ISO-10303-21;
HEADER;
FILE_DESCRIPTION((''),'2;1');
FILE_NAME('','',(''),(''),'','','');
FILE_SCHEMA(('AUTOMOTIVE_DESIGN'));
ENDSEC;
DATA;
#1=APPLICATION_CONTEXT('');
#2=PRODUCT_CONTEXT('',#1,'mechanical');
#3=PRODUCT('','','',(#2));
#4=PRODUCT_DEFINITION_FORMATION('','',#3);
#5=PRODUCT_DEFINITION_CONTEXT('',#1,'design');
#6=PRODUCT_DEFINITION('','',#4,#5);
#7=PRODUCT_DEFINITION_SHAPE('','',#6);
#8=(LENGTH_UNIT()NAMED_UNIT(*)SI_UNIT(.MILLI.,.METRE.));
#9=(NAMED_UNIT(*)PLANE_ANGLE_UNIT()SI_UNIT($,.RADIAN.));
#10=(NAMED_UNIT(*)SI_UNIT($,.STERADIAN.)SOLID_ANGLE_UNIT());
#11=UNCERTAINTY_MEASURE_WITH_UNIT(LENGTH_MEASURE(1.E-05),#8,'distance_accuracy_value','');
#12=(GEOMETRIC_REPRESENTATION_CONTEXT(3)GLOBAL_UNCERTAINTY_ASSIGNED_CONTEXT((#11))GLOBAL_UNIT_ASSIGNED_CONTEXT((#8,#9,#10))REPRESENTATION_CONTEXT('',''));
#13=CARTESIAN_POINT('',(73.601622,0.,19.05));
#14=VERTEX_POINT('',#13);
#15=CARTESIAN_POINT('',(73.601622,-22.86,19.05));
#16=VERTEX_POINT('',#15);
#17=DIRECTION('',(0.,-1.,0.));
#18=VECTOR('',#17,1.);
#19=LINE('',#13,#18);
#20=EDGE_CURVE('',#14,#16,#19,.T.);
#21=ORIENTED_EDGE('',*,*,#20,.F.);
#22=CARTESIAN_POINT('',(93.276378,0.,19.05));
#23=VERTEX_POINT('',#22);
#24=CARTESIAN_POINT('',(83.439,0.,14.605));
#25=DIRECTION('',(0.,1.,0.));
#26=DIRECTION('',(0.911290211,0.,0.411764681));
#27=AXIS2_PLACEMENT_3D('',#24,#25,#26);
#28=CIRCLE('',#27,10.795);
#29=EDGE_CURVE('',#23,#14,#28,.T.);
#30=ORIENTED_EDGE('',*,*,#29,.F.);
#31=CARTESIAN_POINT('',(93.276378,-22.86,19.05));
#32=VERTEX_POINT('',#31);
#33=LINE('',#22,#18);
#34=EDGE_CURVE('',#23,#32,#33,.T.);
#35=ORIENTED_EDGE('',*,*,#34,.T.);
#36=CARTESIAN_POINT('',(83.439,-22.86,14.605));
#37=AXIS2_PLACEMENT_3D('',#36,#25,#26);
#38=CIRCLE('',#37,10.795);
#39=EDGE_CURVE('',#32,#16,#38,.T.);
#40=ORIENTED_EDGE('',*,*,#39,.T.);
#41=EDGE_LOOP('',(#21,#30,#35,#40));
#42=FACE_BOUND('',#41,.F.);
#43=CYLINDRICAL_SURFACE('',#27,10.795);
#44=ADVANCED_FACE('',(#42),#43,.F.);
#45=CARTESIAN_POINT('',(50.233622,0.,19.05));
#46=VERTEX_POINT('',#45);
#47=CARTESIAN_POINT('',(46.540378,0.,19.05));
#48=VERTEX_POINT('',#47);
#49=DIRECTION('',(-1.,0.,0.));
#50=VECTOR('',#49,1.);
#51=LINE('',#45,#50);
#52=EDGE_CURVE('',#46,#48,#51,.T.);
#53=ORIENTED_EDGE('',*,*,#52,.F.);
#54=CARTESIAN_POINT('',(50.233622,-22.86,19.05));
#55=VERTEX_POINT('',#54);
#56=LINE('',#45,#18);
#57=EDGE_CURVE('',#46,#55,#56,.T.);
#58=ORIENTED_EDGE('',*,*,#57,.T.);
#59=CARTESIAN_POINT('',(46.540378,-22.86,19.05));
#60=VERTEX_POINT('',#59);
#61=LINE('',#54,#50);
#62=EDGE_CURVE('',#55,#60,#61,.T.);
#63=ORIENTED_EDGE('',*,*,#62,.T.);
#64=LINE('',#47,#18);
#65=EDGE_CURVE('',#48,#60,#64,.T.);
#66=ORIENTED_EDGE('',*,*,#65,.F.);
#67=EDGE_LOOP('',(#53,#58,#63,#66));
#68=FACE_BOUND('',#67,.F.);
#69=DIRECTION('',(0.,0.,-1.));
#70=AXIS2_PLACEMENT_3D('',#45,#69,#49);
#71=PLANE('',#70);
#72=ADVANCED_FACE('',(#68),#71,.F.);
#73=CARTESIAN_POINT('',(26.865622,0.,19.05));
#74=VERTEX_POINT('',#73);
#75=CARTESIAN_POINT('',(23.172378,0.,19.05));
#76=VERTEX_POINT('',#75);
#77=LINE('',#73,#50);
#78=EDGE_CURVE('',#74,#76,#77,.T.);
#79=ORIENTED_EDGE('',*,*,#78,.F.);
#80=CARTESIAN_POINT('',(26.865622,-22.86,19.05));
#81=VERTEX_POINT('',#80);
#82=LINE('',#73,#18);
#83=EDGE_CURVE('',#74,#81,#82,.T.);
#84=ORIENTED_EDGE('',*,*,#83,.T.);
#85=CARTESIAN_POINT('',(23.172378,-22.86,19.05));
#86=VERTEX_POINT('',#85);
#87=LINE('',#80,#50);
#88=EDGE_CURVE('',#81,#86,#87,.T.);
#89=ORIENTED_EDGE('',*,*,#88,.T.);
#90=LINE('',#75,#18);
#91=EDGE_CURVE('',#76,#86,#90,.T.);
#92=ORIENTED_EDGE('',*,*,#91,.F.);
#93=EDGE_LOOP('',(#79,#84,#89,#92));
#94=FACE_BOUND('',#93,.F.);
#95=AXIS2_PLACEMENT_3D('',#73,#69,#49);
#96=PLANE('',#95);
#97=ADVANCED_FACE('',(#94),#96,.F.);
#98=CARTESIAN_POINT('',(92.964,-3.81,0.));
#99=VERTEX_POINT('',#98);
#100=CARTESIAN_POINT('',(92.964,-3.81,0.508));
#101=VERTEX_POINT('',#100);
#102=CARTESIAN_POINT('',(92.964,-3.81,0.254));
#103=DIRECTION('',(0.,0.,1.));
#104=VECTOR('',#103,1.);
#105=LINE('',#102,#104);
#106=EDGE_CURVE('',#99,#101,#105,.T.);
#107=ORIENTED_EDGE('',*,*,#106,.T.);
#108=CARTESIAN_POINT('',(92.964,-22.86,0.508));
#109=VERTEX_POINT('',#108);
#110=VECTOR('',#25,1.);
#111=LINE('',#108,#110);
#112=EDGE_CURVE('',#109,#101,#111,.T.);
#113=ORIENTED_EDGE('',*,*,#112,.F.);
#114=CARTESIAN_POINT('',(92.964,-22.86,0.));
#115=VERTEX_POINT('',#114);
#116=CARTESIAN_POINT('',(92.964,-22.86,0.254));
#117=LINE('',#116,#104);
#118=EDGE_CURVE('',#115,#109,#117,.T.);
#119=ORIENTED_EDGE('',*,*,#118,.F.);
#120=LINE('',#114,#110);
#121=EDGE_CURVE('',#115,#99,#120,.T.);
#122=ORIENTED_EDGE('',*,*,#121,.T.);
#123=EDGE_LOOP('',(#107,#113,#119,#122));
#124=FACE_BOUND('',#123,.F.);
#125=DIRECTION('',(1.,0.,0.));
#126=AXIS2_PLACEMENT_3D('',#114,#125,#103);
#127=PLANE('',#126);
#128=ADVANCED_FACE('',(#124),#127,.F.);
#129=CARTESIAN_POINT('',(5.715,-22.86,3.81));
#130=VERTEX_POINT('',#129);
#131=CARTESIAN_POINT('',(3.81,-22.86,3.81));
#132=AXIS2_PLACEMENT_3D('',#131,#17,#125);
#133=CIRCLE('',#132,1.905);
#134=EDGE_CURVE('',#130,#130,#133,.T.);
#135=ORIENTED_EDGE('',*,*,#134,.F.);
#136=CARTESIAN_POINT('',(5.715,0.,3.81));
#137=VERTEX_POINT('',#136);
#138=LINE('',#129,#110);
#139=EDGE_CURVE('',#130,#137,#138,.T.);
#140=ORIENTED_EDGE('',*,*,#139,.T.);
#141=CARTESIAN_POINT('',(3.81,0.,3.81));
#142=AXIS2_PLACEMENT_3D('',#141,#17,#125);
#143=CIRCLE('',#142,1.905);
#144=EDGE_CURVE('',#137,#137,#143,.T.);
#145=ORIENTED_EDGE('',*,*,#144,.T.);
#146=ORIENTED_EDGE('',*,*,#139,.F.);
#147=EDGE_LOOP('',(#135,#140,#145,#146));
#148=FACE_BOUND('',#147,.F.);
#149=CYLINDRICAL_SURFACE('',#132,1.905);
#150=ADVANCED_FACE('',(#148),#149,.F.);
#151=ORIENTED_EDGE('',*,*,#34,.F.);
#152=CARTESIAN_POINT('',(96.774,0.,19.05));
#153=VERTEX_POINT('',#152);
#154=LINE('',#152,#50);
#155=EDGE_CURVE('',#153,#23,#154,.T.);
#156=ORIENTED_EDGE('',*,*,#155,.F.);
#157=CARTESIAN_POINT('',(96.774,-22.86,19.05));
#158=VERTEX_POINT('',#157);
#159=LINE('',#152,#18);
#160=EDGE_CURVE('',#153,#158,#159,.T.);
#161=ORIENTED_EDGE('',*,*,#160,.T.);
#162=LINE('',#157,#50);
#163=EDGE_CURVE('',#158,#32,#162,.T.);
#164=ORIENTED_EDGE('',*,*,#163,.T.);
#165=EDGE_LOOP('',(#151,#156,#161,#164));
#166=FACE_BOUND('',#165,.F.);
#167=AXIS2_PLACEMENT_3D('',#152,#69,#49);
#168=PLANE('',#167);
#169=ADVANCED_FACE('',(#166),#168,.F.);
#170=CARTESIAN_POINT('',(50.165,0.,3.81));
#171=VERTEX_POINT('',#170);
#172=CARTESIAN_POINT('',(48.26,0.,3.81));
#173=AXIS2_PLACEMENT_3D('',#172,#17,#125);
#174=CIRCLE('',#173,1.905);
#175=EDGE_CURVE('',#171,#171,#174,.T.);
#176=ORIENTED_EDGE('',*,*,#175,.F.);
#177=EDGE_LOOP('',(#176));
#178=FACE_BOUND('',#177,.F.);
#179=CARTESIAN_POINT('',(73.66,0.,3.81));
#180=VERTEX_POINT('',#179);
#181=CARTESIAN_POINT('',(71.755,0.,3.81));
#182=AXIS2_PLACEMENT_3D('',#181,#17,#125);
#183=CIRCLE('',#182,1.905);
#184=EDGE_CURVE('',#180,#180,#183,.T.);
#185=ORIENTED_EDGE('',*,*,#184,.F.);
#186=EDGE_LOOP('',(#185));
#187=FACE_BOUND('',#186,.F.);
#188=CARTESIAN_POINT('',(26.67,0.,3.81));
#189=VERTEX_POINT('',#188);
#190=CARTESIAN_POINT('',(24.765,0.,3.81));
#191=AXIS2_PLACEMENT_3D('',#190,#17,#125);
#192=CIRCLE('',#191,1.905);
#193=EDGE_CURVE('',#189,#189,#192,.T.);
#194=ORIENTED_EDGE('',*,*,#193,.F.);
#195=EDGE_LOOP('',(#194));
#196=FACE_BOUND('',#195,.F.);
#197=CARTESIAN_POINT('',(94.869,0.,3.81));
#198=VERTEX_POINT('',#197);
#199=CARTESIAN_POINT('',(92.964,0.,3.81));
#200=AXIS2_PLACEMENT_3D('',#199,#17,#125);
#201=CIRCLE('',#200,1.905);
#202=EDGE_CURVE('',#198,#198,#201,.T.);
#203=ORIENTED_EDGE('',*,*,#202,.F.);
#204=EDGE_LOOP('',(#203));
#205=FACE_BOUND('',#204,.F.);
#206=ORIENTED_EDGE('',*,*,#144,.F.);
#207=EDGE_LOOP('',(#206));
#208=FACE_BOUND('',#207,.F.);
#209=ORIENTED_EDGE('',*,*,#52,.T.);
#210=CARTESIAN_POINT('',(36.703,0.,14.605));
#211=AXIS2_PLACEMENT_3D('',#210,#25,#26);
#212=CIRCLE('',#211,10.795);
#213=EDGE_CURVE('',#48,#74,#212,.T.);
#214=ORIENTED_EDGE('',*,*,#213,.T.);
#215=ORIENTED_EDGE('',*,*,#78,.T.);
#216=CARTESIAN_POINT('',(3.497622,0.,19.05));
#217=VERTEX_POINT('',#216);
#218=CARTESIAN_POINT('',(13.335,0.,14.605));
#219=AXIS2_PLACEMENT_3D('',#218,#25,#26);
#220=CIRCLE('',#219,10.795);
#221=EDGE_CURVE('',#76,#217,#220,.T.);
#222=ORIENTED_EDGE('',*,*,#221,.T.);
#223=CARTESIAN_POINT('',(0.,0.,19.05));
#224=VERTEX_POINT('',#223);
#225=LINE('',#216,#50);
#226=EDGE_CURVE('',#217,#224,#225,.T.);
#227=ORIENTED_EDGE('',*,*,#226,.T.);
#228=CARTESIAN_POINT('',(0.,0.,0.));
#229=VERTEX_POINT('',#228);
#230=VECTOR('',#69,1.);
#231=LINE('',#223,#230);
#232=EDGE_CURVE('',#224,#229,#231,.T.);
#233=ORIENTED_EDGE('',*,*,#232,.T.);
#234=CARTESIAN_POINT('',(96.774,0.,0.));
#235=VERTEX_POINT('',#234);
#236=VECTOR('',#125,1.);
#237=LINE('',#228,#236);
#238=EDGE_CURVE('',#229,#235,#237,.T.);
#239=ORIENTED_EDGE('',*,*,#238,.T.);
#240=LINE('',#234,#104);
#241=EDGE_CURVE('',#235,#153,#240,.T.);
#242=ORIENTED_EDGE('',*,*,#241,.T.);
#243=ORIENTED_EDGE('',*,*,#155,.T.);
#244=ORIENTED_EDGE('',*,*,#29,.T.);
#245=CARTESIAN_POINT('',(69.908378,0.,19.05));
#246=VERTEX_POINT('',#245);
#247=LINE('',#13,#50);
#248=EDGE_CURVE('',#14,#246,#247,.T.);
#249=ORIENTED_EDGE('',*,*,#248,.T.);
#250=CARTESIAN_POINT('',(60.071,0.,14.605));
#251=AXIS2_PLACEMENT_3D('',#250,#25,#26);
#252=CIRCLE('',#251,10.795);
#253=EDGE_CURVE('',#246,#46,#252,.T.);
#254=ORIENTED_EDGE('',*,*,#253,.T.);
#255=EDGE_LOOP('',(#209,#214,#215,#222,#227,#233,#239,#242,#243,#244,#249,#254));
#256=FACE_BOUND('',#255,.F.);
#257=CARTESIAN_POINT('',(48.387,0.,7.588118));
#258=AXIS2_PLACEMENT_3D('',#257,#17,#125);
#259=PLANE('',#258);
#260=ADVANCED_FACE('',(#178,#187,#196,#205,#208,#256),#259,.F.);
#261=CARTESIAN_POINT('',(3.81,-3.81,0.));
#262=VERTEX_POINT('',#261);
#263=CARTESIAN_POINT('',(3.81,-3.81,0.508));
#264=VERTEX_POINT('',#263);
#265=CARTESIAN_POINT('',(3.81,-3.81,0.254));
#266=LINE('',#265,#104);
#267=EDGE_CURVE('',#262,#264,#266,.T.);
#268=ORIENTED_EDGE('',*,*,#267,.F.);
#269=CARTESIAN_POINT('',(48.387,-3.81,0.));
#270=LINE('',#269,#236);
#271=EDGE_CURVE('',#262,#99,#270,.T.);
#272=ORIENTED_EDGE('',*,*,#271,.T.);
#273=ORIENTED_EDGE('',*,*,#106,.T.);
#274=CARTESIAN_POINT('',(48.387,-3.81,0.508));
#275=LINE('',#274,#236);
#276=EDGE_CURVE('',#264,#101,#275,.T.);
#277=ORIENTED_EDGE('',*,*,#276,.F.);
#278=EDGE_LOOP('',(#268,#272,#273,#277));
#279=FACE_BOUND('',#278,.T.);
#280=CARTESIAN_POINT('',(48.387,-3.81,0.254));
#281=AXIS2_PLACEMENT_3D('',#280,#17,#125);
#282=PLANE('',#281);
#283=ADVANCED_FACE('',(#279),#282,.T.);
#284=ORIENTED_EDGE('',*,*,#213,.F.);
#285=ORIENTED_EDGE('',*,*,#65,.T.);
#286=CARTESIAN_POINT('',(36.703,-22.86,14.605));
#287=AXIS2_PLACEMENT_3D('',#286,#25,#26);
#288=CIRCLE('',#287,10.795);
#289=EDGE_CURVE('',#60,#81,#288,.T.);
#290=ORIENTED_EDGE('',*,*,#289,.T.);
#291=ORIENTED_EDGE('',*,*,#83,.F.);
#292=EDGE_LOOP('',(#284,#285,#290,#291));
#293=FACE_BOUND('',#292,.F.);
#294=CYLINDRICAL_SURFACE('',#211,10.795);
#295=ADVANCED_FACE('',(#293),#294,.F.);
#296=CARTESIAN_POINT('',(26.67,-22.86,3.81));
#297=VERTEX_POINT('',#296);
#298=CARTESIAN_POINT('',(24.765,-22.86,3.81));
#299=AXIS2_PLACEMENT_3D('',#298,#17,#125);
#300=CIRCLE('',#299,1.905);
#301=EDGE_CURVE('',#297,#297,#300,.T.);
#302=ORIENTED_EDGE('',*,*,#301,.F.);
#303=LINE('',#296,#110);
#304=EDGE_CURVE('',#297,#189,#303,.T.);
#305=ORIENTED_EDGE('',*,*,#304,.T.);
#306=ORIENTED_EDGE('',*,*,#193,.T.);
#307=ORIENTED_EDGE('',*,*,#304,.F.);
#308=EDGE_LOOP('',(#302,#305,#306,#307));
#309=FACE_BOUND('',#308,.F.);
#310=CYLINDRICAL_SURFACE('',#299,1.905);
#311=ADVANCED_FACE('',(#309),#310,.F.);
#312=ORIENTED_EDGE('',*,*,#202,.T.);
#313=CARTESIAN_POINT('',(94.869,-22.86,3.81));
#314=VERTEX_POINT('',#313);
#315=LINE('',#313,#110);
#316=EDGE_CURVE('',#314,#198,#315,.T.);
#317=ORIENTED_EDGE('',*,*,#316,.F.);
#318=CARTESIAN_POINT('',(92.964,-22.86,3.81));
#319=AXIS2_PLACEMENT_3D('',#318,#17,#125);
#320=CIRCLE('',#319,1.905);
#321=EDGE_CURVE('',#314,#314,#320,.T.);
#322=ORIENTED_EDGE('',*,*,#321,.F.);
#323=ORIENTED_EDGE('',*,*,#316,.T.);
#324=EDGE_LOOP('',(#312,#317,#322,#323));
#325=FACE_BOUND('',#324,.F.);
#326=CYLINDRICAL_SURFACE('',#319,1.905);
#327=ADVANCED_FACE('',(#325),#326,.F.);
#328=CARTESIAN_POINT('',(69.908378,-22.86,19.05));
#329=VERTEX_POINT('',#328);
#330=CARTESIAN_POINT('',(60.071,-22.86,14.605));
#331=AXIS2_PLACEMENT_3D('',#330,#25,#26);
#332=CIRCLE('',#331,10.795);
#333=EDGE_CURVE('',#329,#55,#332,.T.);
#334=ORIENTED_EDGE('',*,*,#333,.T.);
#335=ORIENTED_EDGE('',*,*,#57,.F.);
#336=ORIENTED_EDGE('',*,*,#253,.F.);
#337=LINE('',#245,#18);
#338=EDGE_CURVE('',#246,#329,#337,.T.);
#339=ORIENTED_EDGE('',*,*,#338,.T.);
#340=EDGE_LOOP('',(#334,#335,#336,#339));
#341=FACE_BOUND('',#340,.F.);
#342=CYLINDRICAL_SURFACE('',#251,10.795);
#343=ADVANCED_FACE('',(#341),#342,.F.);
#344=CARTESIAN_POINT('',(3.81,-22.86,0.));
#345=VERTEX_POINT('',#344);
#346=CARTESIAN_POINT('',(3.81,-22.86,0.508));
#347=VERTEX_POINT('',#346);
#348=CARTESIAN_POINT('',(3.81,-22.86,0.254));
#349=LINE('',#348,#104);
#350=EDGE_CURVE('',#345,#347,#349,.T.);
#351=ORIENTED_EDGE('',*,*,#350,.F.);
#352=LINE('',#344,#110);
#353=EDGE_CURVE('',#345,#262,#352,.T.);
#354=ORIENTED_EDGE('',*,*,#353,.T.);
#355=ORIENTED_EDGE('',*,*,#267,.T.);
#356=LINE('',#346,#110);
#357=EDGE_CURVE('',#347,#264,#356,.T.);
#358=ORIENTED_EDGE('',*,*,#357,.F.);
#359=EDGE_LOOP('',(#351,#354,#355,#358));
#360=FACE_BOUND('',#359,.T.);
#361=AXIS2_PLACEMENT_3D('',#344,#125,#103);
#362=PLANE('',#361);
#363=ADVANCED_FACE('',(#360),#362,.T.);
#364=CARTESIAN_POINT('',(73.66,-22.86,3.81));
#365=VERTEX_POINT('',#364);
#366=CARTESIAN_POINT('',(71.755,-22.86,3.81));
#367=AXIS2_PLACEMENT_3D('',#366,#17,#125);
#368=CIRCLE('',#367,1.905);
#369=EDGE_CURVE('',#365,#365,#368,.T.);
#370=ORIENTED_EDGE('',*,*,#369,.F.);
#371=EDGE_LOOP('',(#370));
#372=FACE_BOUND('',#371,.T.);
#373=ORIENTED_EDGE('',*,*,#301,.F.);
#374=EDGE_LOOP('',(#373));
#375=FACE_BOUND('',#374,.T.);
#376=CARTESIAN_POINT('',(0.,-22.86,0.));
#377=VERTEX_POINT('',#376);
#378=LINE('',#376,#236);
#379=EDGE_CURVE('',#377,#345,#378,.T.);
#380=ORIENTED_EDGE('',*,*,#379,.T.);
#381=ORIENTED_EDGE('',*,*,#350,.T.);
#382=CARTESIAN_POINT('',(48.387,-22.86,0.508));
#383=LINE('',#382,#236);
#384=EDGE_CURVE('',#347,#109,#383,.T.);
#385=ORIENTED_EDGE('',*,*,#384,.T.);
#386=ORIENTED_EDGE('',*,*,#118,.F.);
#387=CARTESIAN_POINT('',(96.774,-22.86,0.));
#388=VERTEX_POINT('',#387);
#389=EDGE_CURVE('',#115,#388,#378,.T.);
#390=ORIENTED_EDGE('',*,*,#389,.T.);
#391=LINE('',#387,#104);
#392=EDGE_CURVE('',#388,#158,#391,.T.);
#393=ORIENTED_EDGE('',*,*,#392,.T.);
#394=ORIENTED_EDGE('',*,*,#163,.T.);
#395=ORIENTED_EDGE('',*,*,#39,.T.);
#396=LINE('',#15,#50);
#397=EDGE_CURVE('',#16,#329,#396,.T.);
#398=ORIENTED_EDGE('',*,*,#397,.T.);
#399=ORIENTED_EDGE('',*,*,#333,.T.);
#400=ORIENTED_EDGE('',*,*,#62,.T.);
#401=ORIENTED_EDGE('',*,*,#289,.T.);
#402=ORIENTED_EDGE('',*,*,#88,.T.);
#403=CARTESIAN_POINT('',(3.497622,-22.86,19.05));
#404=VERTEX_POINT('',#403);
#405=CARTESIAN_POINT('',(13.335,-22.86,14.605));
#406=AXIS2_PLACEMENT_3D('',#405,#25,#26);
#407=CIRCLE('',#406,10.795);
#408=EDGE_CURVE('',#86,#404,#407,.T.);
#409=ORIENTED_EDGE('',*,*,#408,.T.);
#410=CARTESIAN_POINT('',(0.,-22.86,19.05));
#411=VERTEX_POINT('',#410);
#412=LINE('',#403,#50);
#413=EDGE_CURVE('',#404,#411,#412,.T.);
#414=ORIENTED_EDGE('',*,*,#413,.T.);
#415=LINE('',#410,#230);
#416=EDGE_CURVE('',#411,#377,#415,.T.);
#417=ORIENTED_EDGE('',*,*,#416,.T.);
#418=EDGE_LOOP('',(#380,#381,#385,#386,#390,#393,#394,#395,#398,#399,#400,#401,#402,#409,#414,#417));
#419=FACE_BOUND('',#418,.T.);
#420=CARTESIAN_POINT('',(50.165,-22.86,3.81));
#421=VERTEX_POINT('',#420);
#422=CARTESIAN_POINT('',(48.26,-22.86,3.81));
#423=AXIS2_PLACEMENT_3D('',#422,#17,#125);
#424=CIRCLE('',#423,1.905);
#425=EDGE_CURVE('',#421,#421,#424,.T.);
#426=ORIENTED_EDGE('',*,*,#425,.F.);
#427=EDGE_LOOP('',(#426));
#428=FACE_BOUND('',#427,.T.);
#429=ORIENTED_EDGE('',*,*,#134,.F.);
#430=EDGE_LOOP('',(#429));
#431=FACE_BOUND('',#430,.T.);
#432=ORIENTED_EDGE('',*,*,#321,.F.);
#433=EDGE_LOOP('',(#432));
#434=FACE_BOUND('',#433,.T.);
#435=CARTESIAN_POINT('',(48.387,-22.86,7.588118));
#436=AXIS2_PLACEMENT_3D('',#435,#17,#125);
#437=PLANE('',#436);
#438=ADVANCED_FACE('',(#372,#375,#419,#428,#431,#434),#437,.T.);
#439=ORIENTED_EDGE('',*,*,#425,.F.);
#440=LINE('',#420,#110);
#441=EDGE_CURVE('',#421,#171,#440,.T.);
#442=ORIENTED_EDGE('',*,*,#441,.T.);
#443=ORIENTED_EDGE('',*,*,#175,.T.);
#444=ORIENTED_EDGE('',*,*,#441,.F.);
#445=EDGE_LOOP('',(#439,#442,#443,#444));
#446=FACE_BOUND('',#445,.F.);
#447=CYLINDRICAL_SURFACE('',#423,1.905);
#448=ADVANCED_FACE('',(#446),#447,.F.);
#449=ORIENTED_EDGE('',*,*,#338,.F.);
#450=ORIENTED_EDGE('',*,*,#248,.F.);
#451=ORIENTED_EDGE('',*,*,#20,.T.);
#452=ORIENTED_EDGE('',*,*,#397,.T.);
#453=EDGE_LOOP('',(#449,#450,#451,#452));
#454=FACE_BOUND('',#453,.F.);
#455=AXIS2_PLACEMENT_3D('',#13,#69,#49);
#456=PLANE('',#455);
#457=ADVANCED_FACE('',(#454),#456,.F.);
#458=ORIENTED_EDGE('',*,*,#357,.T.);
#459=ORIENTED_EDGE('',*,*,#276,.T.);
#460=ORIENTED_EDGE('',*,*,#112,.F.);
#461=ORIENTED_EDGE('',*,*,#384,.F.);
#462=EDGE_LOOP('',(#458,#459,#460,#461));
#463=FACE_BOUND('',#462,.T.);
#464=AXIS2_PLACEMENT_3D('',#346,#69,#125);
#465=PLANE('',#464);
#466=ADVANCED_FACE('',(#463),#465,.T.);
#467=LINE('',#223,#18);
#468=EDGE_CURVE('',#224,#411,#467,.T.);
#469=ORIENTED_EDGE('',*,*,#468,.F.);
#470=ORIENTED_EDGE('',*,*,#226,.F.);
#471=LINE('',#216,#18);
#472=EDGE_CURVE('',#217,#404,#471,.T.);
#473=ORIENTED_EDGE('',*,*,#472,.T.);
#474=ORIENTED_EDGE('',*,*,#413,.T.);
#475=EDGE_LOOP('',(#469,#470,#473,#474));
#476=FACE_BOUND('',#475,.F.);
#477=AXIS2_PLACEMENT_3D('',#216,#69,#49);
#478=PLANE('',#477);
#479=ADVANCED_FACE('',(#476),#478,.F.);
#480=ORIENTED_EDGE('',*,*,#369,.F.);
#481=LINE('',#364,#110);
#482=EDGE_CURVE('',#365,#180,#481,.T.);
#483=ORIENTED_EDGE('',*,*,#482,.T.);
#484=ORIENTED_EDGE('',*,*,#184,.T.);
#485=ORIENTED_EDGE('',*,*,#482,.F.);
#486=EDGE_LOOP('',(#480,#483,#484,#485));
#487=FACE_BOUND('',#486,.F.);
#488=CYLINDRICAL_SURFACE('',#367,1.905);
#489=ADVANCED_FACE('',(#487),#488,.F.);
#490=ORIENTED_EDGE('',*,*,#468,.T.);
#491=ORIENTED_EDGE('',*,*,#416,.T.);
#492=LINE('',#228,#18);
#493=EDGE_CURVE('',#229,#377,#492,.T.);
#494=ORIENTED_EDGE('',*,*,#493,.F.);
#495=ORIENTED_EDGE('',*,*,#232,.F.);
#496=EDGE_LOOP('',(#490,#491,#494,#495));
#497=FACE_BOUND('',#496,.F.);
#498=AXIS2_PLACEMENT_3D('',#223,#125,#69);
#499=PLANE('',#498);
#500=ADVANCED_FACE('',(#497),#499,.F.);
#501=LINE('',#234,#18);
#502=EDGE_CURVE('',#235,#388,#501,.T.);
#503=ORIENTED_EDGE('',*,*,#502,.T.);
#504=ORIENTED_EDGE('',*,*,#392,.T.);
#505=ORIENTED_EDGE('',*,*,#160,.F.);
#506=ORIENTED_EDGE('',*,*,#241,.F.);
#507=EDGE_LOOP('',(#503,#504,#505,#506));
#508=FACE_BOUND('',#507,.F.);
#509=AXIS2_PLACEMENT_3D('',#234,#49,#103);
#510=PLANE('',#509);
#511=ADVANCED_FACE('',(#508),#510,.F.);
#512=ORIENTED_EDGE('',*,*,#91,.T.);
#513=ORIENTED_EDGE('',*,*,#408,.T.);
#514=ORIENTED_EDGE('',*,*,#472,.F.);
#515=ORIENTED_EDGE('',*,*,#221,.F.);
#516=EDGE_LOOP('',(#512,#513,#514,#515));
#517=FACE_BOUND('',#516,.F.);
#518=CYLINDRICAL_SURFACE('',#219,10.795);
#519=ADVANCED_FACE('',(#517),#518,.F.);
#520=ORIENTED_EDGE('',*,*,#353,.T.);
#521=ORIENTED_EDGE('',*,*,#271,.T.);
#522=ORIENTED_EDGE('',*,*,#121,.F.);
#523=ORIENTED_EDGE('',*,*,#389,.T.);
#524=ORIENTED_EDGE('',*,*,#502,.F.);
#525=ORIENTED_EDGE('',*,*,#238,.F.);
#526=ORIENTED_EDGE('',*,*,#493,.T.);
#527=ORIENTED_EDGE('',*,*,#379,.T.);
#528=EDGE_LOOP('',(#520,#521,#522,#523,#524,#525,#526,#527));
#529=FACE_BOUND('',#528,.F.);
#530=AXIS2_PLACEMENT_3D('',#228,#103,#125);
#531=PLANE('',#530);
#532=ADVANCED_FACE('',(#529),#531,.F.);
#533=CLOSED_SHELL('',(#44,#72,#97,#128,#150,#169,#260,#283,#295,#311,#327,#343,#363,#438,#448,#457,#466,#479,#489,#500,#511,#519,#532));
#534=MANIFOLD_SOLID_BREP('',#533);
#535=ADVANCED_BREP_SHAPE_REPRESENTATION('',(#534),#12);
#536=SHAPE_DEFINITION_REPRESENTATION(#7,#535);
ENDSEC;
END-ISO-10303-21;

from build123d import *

# Parameters (mm, degrees)
F1_DEPTH = 22.86
F2_R     = 1.905
F3_DEPTH = 50.8
F4_W     = 89.154
F4_H     = 0.508
F5_DEPTH = 19.05


with BuildPart() as f1:
    # F0 (on Front) → F1 (new body)
    with BuildSketch(Plane.XZ):
        with BuildLine():
            Line((0, 19.05), (0, 0))
            Line((0, 0), (96.774, 0))
            Line((96.774, 0), (96.774, 19.05))
            Line((96.774, 19.05), (93.276378, 19.05))
            ThreePointArc((93.276378, 19.05), (83.439, 3.81), (73.601622, 19.05))
            Line((73.601622, 19.05), (69.908378, 19.05))
            ThreePointArc((69.908378, 19.05), (60.071, 3.81), (50.233622, 19.05))
            Line((50.233622, 19.05), (46.540378, 19.05))
            ThreePointArc((46.540378, 19.05), (36.703, 3.81), (26.865622, 19.05))
            Line((26.865622, 19.05), (23.172378, 19.05))
            ThreePointArc((23.172378, 19.05), (13.335, 3.81), (3.497622, 19.05))
            Line((3.497622, 19.05), (0, 19.05))
        make_face()
    extrude(amount=F1_DEPTH)

    # F2 (on face) → F3 (cut)
    with BuildSketch(Plane.XZ.offset(22.86)):
        with Locations((24.765, 3.81)):
            Circle(F2_R)
        with Locations((48.26, 3.81)):
            Circle(F2_R)
        with Locations((71.755, 3.81)):
            Circle(F2_R)
        with Locations((3.81, 3.81)):
            Circle(F2_R)
        with Locations((92.964, 3.81)):
            Circle(F2_R)
    extrude(amount=-F3_DEPTH, mode=Mode.SUBTRACT)

    # F4 (on face) → F5 (cut)
    with BuildSketch(Plane.XZ.offset(22.86)):
        with Locations((48.387, 0.254)):
            Rectangle(F4_W, F4_H)
    extrude(amount=-F5_DEPTH, mode=Mode.SUBTRACT)


solid = f1.part
